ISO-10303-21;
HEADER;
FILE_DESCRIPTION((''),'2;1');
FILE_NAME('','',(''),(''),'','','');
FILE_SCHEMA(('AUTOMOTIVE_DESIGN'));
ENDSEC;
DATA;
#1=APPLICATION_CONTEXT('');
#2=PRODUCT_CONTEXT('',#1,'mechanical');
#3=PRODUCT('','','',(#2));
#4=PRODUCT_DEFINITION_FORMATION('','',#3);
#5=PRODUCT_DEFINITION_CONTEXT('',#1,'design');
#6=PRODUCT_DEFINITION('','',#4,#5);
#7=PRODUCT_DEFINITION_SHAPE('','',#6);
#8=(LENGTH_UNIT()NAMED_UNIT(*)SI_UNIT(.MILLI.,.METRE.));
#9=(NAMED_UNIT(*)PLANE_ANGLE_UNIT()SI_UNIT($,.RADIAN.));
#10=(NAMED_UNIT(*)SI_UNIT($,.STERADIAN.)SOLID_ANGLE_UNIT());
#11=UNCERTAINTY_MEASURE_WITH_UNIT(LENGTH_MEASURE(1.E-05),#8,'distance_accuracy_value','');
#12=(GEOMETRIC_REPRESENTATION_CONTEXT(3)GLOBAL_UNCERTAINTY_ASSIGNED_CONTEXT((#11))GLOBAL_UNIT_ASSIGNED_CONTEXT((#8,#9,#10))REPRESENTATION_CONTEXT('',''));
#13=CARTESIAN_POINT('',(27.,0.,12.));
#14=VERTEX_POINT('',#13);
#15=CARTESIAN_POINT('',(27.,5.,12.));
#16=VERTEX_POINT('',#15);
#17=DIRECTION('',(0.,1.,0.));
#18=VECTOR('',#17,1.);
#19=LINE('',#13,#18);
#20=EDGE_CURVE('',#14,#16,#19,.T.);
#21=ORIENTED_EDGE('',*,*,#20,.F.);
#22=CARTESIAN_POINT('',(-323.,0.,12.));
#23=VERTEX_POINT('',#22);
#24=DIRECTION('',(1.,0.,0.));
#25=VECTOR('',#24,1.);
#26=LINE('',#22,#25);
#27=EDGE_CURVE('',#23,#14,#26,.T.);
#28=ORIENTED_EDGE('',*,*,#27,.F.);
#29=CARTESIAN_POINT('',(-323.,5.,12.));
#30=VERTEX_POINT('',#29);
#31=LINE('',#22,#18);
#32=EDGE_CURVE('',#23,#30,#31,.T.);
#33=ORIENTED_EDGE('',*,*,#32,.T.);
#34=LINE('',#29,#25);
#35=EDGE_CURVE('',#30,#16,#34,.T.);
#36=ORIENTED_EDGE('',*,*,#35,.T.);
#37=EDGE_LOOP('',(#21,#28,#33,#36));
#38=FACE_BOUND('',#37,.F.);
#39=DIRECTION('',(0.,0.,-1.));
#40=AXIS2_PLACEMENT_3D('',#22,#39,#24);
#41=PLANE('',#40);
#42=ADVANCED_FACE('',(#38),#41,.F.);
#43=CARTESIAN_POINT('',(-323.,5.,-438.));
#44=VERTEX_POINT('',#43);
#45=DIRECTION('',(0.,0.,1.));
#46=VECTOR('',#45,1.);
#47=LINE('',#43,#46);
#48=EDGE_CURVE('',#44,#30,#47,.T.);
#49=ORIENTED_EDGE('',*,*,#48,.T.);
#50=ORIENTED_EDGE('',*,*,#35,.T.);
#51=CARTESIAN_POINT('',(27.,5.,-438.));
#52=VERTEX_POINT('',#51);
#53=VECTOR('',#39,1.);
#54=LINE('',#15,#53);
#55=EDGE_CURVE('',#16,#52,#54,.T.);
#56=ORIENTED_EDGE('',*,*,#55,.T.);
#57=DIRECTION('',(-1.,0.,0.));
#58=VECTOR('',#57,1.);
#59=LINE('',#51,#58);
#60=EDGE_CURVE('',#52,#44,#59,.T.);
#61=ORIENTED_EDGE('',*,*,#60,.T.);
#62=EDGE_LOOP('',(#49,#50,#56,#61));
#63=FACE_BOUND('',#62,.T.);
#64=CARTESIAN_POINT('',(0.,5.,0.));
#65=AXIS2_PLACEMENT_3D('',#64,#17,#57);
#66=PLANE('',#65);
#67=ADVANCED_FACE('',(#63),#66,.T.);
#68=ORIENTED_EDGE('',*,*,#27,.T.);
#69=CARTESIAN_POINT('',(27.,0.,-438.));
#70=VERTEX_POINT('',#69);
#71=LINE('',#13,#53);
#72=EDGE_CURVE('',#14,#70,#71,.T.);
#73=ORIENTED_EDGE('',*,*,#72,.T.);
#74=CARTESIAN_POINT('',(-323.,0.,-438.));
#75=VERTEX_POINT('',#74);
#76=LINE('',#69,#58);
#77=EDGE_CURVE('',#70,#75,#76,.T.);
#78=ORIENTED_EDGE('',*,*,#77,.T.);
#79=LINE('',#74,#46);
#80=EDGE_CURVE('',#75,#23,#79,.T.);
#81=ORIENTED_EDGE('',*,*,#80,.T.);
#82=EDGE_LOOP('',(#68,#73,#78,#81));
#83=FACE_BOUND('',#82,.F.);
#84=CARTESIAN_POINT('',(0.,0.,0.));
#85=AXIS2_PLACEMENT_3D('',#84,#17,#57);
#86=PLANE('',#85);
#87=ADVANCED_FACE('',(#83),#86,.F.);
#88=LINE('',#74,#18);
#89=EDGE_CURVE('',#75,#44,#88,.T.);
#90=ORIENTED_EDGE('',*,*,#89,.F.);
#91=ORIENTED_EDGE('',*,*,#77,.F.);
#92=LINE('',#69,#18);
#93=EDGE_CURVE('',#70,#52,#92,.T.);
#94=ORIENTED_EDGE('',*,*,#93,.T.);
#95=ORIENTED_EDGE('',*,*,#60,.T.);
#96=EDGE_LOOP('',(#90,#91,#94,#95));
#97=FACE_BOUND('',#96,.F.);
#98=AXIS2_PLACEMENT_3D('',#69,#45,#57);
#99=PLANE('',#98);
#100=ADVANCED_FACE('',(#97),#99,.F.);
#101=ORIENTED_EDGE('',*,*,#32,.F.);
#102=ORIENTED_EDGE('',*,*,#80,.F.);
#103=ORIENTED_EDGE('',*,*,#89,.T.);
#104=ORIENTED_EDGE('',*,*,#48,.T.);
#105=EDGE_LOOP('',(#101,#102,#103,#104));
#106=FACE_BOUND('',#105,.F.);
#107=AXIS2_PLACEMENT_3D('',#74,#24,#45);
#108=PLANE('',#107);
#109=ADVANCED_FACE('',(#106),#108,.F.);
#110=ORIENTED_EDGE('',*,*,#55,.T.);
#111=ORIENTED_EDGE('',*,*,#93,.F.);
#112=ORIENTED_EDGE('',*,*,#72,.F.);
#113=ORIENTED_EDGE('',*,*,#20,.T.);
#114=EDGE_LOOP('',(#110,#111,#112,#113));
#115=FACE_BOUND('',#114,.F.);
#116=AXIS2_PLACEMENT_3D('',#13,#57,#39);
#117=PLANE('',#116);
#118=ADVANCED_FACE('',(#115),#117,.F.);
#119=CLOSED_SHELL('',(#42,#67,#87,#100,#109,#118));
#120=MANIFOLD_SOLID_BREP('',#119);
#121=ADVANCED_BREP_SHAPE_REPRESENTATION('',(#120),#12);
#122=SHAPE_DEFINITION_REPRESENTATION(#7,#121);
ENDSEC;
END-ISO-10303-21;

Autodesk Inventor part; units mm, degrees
ref_plane "YZ Plane" through (0, 0, 0) normal (1, 0, 0) x (0, 1, 0)
ref_plane "XZ Plane" through (0, 0, 0) normal (0, 1, 0) x (-1, 0, 0)
ref_plane "XY Plane" through (0, 0, 0) normal (0, 0, 1) x (1, 0, 0)
sketch "Sketch1" plane through (0, 0, 0) normal (0, 1, 0) x (-1, 0, 0)
  line L0 (323, 12) -> (-27, 12)
  line L1 (-27, 12) -> (-27, -438)
  line L2 (-27, -438) -> (323, -438)
  line L3 (323, -438) -> (323, 12)
  point P0 (0, 0)
  dimension "d0" = 350
  dimension "d1" = 450
  dimension "d4" = 450
extrude "Extrusion1" add sketch "Sketch1" along normal blind 5
properties part number "base plate"
